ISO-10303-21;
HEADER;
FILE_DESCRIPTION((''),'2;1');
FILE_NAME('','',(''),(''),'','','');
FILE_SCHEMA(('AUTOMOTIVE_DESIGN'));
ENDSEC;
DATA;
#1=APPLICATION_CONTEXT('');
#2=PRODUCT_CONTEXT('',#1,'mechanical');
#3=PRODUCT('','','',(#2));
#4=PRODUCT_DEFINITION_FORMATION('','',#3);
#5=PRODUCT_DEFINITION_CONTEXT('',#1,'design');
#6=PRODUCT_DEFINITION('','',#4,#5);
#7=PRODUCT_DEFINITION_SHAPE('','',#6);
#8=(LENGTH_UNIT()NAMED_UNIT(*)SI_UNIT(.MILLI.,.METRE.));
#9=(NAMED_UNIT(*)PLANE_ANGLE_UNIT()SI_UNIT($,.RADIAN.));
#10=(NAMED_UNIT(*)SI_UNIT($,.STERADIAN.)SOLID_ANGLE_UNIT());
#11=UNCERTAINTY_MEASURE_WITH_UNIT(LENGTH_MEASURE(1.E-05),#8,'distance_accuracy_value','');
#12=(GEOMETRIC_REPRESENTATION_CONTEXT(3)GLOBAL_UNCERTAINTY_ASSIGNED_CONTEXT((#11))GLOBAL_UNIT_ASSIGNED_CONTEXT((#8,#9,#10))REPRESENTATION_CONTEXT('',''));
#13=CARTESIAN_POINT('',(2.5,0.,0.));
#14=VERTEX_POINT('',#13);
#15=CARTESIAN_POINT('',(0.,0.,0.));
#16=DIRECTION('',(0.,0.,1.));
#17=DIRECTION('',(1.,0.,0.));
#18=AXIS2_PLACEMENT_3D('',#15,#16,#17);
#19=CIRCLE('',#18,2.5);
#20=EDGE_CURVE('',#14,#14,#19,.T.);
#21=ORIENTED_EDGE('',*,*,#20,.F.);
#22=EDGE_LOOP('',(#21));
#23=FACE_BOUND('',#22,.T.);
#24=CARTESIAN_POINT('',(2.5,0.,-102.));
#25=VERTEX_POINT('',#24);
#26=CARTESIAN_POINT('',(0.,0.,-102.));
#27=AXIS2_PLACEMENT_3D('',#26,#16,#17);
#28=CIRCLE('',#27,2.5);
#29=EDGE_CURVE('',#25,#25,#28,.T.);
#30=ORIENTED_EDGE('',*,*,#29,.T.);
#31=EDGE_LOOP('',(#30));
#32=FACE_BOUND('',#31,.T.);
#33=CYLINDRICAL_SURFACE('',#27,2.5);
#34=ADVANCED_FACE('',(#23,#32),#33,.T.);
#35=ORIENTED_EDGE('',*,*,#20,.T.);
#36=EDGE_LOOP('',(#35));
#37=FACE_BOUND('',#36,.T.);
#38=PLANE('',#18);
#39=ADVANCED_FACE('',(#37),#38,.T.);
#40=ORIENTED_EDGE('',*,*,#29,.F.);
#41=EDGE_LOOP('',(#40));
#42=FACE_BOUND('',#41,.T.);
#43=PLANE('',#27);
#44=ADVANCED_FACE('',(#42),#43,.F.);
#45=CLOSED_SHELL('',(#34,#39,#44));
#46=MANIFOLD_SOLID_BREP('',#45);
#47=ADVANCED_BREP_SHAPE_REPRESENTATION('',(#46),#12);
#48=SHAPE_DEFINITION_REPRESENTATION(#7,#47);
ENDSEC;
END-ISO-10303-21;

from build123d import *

# Parameters (mm, degrees)
SKETCH1_R           = 2.5
BOSS_EXTRUDE1_DEPTH = 102


with BuildPart() as part:
    # Sketch1 → Boss-Extrude1 (new body)
    with BuildSketch(Plane.XY):
        Circle(SKETCH1_R)
    extrude(amount=-BOSS_EXTRUDE1_DEPTH)


solid = part.part
